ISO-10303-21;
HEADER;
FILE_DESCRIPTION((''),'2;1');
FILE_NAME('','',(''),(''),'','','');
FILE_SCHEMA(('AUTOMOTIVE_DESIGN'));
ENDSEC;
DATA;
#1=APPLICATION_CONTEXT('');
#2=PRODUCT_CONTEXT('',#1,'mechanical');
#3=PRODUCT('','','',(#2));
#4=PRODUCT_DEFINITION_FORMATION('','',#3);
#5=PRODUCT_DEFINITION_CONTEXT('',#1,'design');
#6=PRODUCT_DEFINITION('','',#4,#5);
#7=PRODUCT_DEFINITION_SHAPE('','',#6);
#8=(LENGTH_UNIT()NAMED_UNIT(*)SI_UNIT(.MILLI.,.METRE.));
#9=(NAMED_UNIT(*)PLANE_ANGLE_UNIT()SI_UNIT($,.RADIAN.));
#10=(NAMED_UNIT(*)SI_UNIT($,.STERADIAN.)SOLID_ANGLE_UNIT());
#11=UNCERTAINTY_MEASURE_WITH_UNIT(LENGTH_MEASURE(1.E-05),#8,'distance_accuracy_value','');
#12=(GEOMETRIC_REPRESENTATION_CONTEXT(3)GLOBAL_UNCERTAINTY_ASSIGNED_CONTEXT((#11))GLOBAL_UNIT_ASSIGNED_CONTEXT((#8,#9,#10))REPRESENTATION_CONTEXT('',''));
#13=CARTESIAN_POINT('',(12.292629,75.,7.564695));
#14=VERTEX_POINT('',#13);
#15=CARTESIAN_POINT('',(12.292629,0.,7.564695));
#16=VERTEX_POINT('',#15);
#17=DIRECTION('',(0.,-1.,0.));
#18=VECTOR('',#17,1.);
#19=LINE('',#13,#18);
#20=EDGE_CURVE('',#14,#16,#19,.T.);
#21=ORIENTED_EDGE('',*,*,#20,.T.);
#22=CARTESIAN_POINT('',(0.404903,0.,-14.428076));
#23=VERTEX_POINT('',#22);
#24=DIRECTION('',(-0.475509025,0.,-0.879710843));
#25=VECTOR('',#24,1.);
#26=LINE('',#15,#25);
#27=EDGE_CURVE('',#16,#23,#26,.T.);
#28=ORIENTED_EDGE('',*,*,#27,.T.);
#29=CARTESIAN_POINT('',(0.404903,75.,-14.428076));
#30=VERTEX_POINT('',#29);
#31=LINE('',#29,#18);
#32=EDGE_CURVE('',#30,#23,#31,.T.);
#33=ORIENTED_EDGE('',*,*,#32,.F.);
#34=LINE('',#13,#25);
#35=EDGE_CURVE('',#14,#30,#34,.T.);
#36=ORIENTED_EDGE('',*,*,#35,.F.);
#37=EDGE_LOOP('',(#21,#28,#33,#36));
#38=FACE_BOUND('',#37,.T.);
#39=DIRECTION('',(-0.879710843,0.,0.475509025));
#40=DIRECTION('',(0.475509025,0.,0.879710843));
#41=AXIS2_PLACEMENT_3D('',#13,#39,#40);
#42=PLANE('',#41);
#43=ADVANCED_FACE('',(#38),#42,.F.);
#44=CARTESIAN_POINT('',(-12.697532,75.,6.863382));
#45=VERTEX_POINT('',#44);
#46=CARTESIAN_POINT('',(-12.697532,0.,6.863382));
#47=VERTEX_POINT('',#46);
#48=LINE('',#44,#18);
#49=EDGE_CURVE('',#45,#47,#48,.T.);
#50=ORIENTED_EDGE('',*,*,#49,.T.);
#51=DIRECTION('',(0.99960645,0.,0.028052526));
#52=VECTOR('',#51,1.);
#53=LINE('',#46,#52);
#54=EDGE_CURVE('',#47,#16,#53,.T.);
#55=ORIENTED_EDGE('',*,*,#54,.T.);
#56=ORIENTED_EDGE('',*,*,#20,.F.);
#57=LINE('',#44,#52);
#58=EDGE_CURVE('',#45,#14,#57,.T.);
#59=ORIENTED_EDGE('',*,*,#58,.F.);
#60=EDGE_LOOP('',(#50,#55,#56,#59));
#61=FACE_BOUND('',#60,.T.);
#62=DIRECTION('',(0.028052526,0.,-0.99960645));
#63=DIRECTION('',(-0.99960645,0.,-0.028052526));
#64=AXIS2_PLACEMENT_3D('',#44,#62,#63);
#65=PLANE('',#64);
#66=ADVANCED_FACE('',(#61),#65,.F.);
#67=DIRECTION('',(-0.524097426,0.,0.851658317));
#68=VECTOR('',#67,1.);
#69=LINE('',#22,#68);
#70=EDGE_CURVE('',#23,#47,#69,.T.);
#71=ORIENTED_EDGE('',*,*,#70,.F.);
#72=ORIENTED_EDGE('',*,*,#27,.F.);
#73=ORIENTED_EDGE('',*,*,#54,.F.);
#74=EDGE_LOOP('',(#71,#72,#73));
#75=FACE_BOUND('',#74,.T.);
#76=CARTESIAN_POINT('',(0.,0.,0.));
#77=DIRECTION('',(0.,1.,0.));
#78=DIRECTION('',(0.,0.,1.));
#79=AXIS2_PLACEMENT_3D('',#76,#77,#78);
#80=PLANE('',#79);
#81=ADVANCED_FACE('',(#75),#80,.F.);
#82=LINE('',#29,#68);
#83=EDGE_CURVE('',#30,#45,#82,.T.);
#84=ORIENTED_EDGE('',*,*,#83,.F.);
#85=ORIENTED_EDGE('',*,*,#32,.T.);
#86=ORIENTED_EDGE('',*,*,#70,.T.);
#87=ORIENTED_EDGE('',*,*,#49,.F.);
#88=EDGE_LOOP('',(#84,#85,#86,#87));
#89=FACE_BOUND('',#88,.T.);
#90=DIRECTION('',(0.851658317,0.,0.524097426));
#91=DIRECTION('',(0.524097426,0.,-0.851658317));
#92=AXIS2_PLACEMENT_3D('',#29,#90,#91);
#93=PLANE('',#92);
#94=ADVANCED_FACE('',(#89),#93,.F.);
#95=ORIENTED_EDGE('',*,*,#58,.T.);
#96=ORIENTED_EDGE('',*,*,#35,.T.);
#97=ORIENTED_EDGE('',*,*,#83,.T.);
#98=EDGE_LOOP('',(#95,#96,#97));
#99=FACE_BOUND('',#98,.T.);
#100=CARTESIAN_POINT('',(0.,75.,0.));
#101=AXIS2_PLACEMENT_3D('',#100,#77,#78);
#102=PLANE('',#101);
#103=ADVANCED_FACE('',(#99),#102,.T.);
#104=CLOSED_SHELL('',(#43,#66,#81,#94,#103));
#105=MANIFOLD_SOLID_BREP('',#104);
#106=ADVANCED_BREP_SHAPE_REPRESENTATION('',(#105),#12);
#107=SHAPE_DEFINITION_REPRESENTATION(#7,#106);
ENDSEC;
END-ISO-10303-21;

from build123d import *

# Parameters (mm, degrees)
EXTRUDE_1_DEPTH = 75


with BuildPart() as part:
    # 草图1 → 凸台-拉伸1 (new body)
    with BuildSketch(Plane(origin=(0, 0, 0), x_dir=(1, 0, 0), z_dir=(0, 1, 0))):
        Polygon((12.29262896, -7.564694745), (0.404903341, 14.428076331), (-12.697532301, -6.863381586), align=None)
    extrude(amount=EXTRUDE_1_DEPTH)


solid = part.part
